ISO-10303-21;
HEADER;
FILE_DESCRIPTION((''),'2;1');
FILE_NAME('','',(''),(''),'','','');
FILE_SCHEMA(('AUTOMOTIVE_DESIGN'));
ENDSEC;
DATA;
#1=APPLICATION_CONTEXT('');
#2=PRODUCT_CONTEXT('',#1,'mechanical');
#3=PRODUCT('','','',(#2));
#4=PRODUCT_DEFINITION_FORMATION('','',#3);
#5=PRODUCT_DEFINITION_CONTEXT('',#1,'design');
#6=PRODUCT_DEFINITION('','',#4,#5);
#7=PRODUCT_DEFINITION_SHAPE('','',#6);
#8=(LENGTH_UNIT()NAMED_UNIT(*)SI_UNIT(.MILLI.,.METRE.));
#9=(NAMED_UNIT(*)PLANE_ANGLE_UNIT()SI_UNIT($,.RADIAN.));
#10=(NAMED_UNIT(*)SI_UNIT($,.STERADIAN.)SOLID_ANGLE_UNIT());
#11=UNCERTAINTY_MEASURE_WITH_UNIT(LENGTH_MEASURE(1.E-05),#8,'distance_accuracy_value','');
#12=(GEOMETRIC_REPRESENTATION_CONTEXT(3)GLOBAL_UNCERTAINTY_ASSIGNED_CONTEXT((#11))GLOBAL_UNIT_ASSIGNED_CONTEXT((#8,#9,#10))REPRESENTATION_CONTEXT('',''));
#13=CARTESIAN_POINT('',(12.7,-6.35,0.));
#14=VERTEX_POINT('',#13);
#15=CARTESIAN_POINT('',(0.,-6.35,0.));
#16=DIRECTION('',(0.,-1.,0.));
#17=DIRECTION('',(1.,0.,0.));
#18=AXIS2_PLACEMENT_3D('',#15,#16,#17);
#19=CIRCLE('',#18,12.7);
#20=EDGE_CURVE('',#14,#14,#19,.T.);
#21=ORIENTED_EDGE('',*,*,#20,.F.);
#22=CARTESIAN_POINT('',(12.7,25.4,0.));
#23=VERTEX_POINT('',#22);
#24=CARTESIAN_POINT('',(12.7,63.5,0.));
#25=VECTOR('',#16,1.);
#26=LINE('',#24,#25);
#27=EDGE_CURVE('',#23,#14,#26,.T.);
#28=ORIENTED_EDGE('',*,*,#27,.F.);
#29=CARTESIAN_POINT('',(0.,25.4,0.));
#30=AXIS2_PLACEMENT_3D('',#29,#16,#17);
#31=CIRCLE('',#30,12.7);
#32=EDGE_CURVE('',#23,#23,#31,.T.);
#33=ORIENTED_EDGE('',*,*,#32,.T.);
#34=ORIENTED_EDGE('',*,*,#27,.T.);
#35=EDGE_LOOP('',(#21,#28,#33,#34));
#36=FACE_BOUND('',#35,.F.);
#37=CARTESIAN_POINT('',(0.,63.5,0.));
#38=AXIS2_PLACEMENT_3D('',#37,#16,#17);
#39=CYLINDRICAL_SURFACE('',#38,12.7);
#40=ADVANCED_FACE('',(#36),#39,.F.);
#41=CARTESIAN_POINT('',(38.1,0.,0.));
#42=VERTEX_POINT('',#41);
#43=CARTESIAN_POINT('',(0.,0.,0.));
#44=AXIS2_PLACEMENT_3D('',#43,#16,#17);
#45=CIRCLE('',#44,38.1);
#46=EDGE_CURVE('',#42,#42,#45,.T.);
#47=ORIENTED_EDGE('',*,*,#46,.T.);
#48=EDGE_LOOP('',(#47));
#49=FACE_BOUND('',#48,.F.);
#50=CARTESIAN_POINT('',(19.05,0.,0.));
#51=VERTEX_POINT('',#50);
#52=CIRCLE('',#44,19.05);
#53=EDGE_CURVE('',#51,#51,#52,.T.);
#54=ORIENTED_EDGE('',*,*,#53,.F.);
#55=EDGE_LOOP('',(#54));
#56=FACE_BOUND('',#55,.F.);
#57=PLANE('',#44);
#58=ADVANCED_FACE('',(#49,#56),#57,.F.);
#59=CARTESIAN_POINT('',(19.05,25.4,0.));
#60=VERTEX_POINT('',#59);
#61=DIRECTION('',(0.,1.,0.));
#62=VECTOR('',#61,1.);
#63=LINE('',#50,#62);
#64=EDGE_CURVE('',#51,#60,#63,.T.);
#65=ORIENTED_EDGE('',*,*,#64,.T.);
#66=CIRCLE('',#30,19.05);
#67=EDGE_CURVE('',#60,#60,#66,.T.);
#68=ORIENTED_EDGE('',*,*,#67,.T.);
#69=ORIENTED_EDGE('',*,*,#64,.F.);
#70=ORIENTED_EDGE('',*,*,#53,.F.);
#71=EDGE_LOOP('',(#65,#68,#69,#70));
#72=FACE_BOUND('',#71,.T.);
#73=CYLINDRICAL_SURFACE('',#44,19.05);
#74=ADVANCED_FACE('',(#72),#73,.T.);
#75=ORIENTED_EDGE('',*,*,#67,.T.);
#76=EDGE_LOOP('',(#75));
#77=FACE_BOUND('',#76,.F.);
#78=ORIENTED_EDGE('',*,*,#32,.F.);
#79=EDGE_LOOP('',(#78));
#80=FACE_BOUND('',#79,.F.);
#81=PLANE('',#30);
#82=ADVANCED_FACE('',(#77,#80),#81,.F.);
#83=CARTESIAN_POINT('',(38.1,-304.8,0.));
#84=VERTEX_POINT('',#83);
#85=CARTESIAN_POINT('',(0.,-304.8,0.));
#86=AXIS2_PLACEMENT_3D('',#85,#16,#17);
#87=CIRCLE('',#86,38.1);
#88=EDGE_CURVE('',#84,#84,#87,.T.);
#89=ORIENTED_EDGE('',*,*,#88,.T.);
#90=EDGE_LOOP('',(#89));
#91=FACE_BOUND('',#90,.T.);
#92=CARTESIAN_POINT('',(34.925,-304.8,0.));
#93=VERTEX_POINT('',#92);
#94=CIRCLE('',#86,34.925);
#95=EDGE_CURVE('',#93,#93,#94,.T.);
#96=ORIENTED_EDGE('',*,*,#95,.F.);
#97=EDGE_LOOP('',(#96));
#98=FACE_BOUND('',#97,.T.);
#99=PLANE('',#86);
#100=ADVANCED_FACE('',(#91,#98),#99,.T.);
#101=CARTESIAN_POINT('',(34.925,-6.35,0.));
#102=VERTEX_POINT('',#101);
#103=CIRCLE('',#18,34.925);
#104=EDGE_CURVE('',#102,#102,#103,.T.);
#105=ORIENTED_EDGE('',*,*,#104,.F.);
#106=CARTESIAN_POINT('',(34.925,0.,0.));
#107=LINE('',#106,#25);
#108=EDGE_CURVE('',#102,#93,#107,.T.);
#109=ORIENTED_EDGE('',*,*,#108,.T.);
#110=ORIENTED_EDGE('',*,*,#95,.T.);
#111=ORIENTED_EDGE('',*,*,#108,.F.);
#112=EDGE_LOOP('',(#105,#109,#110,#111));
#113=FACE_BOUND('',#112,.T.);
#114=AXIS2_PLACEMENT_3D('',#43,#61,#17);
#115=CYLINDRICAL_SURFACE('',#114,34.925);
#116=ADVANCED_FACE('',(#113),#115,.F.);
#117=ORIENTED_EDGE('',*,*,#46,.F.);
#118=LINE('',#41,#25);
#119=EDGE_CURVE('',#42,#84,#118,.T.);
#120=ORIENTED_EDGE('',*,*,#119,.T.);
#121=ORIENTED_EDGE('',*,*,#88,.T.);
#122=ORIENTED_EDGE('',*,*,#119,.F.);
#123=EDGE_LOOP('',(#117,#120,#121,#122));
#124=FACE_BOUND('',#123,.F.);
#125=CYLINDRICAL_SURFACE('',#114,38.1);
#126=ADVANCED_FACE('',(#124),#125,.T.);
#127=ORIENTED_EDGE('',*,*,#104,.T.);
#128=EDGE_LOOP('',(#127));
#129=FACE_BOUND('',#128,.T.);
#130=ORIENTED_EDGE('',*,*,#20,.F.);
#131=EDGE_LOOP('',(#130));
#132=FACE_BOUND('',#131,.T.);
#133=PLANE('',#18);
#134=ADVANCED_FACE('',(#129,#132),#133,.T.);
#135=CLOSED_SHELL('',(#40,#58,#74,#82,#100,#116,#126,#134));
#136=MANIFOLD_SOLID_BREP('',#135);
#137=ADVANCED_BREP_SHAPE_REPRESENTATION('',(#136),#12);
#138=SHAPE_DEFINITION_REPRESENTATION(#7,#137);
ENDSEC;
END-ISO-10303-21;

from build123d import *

# Parameters (mm, degrees)
F0_R     = 38.1
F0_R_2   = 34.925
F1_DEPTH = 304.8
F2_DEPTH = 6.35
F3_R     = 19.05
F4_DEPTH = 25.4
F6_D     = 25.4
F6_DEPTH = 38.1


with BuildPart() as f1:
    # F0 (on Front) → F1 (new body)
    with BuildSketch(Plane.XZ):
        Circle(F0_R)
        Circle(F0_R_2, mode=Mode.SUBTRACT)
    extrude(amount=F1_DEPTH)

    # F0 (on Front) → F2 (join)
    with BuildSketch(Plane.XZ):
        Circle(F0_R_2)
    extrude(amount=F2_DEPTH)

    # F3 (on face) → F4 (join)
    with BuildSketch(Plane.XZ):
        Circle(F3_R)
    extrude(amount=-F4_DEPTH)

    # F6
    with Locations(Plane(origin=(0, 25.4, 0), x_dir=(-1, 0, 0), z_dir=(0, 1, 0))):
        with Locations((0, 0)):
            Hole(F6_D / 2, depth=F6_DEPTH)


solid = f1.part
